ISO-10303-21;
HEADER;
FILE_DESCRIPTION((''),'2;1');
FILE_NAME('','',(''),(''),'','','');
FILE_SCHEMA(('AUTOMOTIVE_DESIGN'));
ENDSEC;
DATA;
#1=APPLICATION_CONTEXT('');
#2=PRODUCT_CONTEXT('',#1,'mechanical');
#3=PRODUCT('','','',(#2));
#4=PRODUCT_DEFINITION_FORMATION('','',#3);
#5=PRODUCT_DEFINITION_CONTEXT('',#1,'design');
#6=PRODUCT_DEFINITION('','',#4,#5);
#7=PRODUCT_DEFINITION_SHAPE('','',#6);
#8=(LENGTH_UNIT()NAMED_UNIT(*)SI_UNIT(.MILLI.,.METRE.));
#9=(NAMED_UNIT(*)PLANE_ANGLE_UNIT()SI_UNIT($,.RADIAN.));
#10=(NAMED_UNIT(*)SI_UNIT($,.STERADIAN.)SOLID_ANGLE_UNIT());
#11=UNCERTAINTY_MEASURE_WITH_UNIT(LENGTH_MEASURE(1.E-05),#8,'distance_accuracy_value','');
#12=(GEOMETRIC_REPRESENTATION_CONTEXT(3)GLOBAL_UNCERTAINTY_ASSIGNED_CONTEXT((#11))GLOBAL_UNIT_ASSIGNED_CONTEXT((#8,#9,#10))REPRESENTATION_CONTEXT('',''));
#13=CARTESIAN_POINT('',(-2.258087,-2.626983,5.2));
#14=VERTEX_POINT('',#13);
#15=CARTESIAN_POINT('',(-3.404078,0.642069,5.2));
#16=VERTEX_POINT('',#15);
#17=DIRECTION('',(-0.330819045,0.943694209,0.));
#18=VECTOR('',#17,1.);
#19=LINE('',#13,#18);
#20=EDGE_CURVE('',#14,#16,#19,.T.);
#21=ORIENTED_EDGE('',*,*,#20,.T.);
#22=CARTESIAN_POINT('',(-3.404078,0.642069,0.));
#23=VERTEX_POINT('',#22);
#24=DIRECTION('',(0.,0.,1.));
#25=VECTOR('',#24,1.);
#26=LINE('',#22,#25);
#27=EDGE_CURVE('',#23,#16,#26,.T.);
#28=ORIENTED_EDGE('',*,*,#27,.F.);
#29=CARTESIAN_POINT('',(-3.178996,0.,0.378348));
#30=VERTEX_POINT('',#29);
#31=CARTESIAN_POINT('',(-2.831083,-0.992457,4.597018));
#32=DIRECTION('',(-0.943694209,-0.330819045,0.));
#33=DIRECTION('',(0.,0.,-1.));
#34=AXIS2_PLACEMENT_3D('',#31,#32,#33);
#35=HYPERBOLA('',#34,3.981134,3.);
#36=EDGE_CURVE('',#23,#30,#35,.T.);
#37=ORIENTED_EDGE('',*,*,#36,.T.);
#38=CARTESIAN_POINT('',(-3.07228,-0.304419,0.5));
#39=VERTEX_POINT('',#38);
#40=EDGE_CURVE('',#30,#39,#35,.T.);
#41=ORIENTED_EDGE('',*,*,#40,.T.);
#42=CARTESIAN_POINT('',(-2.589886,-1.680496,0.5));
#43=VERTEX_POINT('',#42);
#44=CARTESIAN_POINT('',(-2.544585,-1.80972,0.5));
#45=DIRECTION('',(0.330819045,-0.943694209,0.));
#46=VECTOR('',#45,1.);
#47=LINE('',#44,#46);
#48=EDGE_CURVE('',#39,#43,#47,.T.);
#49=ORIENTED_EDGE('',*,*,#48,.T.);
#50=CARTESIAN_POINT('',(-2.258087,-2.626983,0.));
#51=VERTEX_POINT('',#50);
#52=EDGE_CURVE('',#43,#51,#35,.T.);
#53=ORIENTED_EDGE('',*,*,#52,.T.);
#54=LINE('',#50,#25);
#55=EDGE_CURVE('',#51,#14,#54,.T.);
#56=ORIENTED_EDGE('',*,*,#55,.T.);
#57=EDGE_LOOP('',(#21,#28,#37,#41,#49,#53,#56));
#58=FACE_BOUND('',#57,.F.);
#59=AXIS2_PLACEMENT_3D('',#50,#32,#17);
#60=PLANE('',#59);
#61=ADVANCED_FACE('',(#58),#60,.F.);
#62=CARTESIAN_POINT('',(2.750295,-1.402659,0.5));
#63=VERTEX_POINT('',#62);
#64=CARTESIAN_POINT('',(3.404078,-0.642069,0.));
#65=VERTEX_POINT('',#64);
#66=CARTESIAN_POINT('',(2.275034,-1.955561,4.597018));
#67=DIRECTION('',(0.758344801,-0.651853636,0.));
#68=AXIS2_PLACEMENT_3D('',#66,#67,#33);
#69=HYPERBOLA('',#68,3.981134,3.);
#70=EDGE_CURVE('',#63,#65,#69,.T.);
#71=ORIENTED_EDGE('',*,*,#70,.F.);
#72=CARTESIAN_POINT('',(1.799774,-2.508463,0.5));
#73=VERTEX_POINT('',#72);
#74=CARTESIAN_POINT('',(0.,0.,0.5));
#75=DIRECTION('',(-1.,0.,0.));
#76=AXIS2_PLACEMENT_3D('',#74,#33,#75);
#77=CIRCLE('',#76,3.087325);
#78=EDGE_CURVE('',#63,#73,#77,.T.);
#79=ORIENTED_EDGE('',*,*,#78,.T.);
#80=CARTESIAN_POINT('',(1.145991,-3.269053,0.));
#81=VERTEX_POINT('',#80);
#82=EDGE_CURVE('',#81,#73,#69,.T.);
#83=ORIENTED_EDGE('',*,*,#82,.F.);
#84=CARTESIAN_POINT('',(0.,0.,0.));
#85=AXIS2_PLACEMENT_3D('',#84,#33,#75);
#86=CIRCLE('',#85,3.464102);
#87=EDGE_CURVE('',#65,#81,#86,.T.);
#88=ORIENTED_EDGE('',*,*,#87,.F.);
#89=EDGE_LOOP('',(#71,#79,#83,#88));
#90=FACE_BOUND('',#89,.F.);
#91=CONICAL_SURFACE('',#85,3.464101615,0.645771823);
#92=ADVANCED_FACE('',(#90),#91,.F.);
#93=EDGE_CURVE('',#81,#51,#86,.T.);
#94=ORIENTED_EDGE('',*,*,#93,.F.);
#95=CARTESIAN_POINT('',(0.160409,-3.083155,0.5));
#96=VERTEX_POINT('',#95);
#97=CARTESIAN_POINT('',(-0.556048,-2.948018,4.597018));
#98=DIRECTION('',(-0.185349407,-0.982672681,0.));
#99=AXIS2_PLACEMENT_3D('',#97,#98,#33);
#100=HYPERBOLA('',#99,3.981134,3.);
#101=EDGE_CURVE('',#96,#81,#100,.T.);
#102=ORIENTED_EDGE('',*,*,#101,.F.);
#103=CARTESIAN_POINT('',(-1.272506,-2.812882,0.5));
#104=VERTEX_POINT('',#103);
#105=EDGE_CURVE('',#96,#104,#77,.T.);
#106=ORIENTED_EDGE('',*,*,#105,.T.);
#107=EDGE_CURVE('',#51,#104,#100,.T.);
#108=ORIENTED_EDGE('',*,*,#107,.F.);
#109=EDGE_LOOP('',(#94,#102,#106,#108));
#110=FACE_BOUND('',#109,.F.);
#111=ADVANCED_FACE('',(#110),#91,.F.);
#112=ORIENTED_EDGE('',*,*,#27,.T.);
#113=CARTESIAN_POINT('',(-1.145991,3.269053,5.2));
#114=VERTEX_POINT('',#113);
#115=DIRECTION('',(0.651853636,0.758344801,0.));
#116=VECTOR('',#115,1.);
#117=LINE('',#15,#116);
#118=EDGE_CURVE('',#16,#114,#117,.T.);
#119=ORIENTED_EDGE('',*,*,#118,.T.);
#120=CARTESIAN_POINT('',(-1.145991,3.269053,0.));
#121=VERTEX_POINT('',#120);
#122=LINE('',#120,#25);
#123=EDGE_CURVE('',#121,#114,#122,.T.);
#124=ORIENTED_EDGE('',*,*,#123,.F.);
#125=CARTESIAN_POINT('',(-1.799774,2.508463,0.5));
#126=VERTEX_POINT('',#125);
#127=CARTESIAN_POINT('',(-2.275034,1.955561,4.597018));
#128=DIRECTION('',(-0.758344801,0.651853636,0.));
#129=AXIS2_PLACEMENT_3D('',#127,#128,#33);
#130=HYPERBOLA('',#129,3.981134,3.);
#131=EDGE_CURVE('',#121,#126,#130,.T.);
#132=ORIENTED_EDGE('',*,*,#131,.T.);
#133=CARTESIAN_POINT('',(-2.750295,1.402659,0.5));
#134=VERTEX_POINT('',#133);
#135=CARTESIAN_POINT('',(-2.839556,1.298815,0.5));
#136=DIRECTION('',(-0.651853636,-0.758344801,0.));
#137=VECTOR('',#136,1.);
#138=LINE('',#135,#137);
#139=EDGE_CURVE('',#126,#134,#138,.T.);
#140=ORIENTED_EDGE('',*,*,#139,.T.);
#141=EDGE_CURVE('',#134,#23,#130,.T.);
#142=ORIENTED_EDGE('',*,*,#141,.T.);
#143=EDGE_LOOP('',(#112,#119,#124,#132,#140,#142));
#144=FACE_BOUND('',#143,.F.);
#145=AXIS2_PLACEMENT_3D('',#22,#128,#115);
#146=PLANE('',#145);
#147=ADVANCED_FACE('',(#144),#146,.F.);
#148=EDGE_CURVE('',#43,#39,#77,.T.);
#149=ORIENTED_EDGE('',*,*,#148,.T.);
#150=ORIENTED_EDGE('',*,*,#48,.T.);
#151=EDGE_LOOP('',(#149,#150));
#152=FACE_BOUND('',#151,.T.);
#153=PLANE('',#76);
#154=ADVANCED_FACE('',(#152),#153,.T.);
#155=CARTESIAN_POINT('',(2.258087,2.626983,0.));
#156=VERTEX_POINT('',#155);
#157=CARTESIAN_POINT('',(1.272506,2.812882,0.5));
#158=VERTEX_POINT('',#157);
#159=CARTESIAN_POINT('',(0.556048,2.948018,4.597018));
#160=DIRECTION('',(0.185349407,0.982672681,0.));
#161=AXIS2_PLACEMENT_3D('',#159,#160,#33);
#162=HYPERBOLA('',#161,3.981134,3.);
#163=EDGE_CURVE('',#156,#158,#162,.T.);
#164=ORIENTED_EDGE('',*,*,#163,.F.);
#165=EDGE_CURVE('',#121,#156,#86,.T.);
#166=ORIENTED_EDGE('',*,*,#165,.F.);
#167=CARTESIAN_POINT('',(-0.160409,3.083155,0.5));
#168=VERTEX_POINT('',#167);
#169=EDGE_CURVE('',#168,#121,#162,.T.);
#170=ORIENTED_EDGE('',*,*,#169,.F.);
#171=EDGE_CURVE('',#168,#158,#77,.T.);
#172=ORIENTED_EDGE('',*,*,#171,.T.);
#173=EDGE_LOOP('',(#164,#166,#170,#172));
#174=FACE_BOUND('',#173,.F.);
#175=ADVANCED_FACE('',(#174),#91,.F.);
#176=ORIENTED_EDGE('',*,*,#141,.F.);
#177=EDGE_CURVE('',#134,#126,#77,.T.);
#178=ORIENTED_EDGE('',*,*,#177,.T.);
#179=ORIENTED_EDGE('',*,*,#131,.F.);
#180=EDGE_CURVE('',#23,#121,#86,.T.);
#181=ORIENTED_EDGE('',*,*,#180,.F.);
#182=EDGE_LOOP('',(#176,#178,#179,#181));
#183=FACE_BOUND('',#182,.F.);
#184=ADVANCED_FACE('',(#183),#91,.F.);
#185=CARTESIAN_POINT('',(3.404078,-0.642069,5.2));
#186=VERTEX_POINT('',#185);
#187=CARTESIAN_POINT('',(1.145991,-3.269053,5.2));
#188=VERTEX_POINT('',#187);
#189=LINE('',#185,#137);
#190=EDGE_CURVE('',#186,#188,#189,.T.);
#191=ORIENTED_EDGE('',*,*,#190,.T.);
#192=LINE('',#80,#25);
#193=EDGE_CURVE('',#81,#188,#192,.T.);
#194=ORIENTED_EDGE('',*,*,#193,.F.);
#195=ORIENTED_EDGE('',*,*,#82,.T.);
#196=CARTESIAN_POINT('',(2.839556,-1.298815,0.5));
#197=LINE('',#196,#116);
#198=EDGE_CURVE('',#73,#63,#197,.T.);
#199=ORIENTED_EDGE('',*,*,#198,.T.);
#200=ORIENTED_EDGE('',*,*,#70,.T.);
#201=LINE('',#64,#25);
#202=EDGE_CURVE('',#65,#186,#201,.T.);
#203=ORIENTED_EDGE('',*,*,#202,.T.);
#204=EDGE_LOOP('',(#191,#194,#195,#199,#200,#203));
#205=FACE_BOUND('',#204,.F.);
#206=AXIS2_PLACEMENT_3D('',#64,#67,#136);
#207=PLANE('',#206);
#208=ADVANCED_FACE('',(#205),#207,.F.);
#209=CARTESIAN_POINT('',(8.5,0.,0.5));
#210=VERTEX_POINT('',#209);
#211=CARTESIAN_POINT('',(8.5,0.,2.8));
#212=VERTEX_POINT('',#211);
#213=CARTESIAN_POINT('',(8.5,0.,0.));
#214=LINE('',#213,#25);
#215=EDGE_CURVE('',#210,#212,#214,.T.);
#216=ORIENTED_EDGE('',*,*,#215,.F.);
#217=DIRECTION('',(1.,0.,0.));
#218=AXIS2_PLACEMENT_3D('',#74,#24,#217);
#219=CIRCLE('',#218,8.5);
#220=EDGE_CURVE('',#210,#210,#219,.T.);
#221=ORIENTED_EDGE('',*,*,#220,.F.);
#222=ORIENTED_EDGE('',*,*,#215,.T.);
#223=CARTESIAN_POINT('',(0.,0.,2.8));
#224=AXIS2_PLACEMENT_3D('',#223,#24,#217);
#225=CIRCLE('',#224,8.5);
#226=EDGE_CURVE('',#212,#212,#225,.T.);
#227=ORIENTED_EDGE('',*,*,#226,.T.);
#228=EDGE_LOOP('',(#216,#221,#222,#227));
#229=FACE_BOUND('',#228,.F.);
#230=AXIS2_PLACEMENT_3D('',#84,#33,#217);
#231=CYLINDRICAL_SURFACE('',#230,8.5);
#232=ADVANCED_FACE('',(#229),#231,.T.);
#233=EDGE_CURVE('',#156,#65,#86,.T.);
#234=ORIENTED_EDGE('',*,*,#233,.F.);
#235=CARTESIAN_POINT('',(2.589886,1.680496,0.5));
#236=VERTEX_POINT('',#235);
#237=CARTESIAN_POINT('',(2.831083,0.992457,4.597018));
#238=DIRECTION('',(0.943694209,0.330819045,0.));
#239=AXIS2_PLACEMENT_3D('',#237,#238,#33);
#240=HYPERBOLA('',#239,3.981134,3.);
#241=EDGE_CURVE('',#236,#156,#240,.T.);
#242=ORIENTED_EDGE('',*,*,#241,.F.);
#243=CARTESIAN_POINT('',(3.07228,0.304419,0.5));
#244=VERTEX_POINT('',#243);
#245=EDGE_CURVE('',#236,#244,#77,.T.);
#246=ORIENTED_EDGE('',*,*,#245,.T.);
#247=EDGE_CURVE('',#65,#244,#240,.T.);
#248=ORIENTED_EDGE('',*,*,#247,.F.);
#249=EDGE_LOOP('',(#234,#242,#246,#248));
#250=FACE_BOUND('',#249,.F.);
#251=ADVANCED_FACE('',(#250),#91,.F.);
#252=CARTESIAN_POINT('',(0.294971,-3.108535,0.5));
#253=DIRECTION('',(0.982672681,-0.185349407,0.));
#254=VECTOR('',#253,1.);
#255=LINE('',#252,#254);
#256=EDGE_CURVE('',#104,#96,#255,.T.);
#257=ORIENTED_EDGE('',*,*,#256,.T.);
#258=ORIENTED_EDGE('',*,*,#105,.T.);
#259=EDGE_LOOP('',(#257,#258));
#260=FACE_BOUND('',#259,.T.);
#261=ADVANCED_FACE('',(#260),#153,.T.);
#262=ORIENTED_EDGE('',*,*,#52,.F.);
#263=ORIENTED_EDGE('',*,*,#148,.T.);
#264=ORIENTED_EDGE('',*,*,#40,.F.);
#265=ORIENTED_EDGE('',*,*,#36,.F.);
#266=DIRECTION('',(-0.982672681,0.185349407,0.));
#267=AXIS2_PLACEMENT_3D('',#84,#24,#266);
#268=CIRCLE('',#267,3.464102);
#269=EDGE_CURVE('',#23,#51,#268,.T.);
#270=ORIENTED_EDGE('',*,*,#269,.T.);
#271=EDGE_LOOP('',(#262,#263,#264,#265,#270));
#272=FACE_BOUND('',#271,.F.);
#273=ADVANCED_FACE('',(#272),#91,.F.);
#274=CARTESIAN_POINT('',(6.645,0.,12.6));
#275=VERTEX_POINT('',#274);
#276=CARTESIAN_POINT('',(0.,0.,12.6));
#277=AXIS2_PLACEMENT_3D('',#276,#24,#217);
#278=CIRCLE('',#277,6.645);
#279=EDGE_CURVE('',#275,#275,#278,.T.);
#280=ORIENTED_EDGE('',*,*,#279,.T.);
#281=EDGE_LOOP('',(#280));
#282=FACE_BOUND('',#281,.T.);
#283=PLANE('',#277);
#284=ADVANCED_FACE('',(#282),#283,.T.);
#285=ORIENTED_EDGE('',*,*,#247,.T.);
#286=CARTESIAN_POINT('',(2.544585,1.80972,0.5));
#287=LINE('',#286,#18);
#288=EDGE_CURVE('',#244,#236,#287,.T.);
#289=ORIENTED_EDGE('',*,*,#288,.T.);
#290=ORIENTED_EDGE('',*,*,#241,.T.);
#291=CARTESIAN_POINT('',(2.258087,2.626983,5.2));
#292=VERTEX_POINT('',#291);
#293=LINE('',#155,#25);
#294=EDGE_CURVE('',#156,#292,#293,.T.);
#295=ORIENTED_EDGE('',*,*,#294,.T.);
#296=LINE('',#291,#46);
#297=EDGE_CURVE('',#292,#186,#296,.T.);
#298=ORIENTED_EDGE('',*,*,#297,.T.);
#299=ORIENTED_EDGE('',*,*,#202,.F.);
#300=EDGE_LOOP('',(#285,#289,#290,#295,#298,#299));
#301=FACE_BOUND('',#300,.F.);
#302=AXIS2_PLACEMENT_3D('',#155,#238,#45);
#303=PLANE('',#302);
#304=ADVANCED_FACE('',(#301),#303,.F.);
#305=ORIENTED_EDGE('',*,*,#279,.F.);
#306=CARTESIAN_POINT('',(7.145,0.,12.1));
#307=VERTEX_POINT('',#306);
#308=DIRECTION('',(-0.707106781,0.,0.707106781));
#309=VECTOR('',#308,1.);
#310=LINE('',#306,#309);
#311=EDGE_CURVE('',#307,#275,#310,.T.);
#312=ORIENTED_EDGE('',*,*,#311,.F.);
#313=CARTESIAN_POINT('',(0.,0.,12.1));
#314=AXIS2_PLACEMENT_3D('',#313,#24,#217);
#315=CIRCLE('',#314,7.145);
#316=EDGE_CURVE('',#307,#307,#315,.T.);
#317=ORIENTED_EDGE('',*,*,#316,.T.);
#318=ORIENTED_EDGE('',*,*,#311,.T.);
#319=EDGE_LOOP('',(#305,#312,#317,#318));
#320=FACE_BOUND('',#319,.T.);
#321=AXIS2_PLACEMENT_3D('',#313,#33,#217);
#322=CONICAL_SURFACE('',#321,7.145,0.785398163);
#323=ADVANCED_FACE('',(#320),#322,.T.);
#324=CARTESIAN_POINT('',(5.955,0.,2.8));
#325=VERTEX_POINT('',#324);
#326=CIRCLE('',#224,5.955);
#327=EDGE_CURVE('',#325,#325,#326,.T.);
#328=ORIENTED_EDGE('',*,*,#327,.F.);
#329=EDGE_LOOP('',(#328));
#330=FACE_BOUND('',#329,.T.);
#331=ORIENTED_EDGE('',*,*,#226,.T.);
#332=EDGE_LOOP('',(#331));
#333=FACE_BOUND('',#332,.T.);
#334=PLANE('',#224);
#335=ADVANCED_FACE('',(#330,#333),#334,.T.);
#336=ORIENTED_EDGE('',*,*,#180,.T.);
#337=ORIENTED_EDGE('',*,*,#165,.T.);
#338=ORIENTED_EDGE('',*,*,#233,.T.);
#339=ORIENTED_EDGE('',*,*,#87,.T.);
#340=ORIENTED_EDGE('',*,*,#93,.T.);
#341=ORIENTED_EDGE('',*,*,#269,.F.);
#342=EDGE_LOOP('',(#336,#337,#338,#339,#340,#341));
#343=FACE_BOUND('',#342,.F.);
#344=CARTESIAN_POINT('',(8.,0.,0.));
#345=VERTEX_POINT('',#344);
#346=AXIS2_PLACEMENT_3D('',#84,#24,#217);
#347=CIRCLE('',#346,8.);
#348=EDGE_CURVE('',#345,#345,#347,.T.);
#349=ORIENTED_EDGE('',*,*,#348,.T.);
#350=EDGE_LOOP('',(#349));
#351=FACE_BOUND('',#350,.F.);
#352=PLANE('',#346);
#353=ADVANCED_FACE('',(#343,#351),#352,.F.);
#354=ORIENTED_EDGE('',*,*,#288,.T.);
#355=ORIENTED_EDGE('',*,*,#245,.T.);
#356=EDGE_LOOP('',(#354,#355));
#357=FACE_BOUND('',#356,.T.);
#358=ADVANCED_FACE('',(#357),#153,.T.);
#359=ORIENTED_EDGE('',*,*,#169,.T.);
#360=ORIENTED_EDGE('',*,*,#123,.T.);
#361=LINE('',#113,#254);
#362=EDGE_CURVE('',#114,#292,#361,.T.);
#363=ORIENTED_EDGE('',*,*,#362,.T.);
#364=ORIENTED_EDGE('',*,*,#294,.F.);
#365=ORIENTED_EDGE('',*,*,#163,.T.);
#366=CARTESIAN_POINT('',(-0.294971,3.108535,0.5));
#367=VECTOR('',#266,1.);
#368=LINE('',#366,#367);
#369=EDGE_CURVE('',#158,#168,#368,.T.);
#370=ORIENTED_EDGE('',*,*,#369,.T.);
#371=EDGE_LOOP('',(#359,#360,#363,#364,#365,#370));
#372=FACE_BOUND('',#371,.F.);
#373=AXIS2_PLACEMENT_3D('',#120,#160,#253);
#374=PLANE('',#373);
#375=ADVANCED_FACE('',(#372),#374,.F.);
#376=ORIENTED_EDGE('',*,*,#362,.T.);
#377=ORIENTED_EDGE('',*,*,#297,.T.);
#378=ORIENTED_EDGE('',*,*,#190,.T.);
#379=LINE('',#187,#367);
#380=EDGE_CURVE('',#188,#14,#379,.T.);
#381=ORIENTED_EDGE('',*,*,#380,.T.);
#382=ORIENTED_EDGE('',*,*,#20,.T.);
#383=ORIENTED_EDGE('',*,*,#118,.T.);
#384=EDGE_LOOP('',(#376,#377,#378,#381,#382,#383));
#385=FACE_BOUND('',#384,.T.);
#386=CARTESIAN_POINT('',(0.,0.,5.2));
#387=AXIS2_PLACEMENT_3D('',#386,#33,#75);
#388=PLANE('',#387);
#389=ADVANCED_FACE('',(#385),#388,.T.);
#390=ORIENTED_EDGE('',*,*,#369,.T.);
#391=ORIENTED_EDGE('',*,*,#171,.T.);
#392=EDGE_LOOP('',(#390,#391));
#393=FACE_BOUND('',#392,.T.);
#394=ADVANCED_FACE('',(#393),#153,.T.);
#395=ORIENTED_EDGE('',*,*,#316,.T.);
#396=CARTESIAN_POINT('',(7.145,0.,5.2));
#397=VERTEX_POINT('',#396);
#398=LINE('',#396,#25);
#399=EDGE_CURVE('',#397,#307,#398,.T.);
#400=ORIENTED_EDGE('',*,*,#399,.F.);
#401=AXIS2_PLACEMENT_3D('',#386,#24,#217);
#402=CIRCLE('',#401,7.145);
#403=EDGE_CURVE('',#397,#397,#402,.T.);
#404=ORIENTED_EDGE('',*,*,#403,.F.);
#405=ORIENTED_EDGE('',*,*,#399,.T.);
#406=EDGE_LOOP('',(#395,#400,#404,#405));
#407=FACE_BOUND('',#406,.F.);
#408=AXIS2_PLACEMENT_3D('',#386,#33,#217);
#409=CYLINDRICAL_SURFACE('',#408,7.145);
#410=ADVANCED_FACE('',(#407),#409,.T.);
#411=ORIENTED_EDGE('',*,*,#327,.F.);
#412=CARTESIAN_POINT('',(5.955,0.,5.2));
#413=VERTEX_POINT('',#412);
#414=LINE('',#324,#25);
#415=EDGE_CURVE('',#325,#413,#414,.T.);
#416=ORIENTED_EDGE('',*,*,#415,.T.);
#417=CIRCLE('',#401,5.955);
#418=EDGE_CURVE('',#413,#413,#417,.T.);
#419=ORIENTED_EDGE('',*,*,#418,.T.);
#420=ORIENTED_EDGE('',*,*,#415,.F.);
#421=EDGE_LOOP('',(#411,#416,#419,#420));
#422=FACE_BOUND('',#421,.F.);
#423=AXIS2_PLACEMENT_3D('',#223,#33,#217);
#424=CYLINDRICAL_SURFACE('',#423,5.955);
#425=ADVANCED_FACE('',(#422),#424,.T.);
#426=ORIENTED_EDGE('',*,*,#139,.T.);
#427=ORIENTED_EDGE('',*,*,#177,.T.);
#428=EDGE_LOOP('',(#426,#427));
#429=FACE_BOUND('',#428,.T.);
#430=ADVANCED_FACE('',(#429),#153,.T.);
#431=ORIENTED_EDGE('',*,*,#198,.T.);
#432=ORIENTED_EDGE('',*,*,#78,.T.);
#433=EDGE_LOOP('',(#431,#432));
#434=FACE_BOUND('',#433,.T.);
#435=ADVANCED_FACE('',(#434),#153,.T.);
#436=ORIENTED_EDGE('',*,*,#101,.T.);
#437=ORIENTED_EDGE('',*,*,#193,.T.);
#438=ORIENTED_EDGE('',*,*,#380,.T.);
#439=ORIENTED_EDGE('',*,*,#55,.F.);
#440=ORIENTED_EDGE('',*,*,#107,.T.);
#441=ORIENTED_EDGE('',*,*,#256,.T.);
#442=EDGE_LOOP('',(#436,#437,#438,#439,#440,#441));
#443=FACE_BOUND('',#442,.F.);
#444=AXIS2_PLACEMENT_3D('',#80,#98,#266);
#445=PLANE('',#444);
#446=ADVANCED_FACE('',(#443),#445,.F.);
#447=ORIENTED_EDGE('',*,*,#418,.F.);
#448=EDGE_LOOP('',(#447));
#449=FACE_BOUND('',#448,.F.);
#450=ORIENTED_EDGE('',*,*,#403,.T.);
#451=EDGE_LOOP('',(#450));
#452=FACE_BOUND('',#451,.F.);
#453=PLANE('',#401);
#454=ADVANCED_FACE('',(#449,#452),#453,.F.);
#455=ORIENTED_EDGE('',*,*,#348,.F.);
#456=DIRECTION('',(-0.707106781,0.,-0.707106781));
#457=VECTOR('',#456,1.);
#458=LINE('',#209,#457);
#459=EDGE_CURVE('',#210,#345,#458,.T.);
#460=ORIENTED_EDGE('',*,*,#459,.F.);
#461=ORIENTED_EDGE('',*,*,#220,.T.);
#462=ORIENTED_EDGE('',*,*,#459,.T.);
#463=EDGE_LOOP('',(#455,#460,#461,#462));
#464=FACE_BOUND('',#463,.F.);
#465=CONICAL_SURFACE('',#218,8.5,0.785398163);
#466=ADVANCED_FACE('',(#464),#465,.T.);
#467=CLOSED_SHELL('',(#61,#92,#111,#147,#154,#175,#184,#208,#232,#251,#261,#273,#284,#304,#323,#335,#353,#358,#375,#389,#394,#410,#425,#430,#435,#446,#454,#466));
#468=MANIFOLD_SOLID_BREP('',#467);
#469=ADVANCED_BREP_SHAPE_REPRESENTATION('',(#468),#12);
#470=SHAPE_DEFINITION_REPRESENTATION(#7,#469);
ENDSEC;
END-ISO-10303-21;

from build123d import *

# Parameters (mm, degrees)
SKETCH_1_R          = 8.5
EXTRUDE_1_DEPTH     = 2.8
SKETCH_2_R          = 5.955
EXTRUDE_2_DEPTH     = 2.4
SKETCH_3_R          = 7.145
EXTRUDE_3_DEPTH     = 7.4
CHAMFER_1_SIZE      = 0.5
CHAMFER_2_SIZE      = 0.5
CUT_EXTRUDE_1_DEPTH = 5.2
SKETCH_5_R          = 3.464101615
CUT_EXTRUDE_2_DEPTH = 0.5
CUT_EXTRUDE_2_DRAFT = -37


with BuildPart() as part:
    # 草图1 → 拉伸1 (new body)
    with BuildSketch(Plane.XY):
        Circle(SKETCH_1_R)
    extrude(amount=EXTRUDE_1_DEPTH)

    # 草图2 → 拉伸2 (add)
    with BuildSketch(Plane.XY.offset(2.8)):
        Circle(SKETCH_2_R)
    extrude(amount=EXTRUDE_2_DEPTH)

    # 草图3 → 拉伸3 (add)
    with BuildSketch(Plane.XY.offset(5.2)):
        Circle(SKETCH_3_R)
    extrude(amount=EXTRUDE_3_DEPTH)

    # 倒角1
    chamfer_1_edges = [part.edges().sort_by_distance(p)[0] for p in [
        (-7.145, 0, 12.6),
    ]]
    chamfer(chamfer_1_edges, length=CHAMFER_1_SIZE)

    # 倒角2
    chamfer_2_edges = [part.edges().sort_by_distance(p)[0] for p in [
        (-8.5, 0, 0),
    ]]
    chamfer(chamfer_2_edges, length=CHAMFER_2_SIZE)

    # 草图4 → 切除-拉伸1 (cut)
    with BuildSketch(Plane(origin=(0, 0, 0), x_dir=(-1, 0, 0), z_dir=(0, 0, -1))):
        Polygon((2.258087232, -2.626983451), (3.40407802, 0.642069181), (1.145990788, 3.269052632), (-2.258087232, 2.626983451), (-3.40407802, -0.642069181), (-1.145990788, -3.269052632), align=None)
    extrude(amount=-CUT_EXTRUDE_1_DEPTH, mode=Mode.SUBTRACT)


with BuildPart() as cut_extrude_2_tool:
    # 草图5 → 切除-拉伸2 (with draft: the straight prism first)
    with BuildSketch(Plane(origin=(0, 0, 0), x_dir=(-1, 0, 0), z_dir=(0, 0, -1))):
        Circle(SKETCH_5_R)
    extrude(amount=-CUT_EXTRUDE_2_DEPTH)
    # 切除-拉伸2: the draft: its side faces are tilted about the plane it starts from
    cut_extrude_2_sides = [cut_extrude_2_tool.faces().sort_by_distance(p)[0] for p in [
        (3.464101615, 0, 0.25),
    ]]
    draft(cut_extrude_2_sides, Plane(origin=(0, 0, 0), x_dir=(-1, 0, 0), z_dir=(0, 0, -1)), CUT_EXTRUDE_2_DRAFT)


with BuildPart() as part_1:
    add(part.part)

    # 切除-拉伸2: cut by cut_extrude_2_tool
    add(cut_extrude_2_tool.part, mode=Mode.SUBTRACT)


solid = part_1.part
